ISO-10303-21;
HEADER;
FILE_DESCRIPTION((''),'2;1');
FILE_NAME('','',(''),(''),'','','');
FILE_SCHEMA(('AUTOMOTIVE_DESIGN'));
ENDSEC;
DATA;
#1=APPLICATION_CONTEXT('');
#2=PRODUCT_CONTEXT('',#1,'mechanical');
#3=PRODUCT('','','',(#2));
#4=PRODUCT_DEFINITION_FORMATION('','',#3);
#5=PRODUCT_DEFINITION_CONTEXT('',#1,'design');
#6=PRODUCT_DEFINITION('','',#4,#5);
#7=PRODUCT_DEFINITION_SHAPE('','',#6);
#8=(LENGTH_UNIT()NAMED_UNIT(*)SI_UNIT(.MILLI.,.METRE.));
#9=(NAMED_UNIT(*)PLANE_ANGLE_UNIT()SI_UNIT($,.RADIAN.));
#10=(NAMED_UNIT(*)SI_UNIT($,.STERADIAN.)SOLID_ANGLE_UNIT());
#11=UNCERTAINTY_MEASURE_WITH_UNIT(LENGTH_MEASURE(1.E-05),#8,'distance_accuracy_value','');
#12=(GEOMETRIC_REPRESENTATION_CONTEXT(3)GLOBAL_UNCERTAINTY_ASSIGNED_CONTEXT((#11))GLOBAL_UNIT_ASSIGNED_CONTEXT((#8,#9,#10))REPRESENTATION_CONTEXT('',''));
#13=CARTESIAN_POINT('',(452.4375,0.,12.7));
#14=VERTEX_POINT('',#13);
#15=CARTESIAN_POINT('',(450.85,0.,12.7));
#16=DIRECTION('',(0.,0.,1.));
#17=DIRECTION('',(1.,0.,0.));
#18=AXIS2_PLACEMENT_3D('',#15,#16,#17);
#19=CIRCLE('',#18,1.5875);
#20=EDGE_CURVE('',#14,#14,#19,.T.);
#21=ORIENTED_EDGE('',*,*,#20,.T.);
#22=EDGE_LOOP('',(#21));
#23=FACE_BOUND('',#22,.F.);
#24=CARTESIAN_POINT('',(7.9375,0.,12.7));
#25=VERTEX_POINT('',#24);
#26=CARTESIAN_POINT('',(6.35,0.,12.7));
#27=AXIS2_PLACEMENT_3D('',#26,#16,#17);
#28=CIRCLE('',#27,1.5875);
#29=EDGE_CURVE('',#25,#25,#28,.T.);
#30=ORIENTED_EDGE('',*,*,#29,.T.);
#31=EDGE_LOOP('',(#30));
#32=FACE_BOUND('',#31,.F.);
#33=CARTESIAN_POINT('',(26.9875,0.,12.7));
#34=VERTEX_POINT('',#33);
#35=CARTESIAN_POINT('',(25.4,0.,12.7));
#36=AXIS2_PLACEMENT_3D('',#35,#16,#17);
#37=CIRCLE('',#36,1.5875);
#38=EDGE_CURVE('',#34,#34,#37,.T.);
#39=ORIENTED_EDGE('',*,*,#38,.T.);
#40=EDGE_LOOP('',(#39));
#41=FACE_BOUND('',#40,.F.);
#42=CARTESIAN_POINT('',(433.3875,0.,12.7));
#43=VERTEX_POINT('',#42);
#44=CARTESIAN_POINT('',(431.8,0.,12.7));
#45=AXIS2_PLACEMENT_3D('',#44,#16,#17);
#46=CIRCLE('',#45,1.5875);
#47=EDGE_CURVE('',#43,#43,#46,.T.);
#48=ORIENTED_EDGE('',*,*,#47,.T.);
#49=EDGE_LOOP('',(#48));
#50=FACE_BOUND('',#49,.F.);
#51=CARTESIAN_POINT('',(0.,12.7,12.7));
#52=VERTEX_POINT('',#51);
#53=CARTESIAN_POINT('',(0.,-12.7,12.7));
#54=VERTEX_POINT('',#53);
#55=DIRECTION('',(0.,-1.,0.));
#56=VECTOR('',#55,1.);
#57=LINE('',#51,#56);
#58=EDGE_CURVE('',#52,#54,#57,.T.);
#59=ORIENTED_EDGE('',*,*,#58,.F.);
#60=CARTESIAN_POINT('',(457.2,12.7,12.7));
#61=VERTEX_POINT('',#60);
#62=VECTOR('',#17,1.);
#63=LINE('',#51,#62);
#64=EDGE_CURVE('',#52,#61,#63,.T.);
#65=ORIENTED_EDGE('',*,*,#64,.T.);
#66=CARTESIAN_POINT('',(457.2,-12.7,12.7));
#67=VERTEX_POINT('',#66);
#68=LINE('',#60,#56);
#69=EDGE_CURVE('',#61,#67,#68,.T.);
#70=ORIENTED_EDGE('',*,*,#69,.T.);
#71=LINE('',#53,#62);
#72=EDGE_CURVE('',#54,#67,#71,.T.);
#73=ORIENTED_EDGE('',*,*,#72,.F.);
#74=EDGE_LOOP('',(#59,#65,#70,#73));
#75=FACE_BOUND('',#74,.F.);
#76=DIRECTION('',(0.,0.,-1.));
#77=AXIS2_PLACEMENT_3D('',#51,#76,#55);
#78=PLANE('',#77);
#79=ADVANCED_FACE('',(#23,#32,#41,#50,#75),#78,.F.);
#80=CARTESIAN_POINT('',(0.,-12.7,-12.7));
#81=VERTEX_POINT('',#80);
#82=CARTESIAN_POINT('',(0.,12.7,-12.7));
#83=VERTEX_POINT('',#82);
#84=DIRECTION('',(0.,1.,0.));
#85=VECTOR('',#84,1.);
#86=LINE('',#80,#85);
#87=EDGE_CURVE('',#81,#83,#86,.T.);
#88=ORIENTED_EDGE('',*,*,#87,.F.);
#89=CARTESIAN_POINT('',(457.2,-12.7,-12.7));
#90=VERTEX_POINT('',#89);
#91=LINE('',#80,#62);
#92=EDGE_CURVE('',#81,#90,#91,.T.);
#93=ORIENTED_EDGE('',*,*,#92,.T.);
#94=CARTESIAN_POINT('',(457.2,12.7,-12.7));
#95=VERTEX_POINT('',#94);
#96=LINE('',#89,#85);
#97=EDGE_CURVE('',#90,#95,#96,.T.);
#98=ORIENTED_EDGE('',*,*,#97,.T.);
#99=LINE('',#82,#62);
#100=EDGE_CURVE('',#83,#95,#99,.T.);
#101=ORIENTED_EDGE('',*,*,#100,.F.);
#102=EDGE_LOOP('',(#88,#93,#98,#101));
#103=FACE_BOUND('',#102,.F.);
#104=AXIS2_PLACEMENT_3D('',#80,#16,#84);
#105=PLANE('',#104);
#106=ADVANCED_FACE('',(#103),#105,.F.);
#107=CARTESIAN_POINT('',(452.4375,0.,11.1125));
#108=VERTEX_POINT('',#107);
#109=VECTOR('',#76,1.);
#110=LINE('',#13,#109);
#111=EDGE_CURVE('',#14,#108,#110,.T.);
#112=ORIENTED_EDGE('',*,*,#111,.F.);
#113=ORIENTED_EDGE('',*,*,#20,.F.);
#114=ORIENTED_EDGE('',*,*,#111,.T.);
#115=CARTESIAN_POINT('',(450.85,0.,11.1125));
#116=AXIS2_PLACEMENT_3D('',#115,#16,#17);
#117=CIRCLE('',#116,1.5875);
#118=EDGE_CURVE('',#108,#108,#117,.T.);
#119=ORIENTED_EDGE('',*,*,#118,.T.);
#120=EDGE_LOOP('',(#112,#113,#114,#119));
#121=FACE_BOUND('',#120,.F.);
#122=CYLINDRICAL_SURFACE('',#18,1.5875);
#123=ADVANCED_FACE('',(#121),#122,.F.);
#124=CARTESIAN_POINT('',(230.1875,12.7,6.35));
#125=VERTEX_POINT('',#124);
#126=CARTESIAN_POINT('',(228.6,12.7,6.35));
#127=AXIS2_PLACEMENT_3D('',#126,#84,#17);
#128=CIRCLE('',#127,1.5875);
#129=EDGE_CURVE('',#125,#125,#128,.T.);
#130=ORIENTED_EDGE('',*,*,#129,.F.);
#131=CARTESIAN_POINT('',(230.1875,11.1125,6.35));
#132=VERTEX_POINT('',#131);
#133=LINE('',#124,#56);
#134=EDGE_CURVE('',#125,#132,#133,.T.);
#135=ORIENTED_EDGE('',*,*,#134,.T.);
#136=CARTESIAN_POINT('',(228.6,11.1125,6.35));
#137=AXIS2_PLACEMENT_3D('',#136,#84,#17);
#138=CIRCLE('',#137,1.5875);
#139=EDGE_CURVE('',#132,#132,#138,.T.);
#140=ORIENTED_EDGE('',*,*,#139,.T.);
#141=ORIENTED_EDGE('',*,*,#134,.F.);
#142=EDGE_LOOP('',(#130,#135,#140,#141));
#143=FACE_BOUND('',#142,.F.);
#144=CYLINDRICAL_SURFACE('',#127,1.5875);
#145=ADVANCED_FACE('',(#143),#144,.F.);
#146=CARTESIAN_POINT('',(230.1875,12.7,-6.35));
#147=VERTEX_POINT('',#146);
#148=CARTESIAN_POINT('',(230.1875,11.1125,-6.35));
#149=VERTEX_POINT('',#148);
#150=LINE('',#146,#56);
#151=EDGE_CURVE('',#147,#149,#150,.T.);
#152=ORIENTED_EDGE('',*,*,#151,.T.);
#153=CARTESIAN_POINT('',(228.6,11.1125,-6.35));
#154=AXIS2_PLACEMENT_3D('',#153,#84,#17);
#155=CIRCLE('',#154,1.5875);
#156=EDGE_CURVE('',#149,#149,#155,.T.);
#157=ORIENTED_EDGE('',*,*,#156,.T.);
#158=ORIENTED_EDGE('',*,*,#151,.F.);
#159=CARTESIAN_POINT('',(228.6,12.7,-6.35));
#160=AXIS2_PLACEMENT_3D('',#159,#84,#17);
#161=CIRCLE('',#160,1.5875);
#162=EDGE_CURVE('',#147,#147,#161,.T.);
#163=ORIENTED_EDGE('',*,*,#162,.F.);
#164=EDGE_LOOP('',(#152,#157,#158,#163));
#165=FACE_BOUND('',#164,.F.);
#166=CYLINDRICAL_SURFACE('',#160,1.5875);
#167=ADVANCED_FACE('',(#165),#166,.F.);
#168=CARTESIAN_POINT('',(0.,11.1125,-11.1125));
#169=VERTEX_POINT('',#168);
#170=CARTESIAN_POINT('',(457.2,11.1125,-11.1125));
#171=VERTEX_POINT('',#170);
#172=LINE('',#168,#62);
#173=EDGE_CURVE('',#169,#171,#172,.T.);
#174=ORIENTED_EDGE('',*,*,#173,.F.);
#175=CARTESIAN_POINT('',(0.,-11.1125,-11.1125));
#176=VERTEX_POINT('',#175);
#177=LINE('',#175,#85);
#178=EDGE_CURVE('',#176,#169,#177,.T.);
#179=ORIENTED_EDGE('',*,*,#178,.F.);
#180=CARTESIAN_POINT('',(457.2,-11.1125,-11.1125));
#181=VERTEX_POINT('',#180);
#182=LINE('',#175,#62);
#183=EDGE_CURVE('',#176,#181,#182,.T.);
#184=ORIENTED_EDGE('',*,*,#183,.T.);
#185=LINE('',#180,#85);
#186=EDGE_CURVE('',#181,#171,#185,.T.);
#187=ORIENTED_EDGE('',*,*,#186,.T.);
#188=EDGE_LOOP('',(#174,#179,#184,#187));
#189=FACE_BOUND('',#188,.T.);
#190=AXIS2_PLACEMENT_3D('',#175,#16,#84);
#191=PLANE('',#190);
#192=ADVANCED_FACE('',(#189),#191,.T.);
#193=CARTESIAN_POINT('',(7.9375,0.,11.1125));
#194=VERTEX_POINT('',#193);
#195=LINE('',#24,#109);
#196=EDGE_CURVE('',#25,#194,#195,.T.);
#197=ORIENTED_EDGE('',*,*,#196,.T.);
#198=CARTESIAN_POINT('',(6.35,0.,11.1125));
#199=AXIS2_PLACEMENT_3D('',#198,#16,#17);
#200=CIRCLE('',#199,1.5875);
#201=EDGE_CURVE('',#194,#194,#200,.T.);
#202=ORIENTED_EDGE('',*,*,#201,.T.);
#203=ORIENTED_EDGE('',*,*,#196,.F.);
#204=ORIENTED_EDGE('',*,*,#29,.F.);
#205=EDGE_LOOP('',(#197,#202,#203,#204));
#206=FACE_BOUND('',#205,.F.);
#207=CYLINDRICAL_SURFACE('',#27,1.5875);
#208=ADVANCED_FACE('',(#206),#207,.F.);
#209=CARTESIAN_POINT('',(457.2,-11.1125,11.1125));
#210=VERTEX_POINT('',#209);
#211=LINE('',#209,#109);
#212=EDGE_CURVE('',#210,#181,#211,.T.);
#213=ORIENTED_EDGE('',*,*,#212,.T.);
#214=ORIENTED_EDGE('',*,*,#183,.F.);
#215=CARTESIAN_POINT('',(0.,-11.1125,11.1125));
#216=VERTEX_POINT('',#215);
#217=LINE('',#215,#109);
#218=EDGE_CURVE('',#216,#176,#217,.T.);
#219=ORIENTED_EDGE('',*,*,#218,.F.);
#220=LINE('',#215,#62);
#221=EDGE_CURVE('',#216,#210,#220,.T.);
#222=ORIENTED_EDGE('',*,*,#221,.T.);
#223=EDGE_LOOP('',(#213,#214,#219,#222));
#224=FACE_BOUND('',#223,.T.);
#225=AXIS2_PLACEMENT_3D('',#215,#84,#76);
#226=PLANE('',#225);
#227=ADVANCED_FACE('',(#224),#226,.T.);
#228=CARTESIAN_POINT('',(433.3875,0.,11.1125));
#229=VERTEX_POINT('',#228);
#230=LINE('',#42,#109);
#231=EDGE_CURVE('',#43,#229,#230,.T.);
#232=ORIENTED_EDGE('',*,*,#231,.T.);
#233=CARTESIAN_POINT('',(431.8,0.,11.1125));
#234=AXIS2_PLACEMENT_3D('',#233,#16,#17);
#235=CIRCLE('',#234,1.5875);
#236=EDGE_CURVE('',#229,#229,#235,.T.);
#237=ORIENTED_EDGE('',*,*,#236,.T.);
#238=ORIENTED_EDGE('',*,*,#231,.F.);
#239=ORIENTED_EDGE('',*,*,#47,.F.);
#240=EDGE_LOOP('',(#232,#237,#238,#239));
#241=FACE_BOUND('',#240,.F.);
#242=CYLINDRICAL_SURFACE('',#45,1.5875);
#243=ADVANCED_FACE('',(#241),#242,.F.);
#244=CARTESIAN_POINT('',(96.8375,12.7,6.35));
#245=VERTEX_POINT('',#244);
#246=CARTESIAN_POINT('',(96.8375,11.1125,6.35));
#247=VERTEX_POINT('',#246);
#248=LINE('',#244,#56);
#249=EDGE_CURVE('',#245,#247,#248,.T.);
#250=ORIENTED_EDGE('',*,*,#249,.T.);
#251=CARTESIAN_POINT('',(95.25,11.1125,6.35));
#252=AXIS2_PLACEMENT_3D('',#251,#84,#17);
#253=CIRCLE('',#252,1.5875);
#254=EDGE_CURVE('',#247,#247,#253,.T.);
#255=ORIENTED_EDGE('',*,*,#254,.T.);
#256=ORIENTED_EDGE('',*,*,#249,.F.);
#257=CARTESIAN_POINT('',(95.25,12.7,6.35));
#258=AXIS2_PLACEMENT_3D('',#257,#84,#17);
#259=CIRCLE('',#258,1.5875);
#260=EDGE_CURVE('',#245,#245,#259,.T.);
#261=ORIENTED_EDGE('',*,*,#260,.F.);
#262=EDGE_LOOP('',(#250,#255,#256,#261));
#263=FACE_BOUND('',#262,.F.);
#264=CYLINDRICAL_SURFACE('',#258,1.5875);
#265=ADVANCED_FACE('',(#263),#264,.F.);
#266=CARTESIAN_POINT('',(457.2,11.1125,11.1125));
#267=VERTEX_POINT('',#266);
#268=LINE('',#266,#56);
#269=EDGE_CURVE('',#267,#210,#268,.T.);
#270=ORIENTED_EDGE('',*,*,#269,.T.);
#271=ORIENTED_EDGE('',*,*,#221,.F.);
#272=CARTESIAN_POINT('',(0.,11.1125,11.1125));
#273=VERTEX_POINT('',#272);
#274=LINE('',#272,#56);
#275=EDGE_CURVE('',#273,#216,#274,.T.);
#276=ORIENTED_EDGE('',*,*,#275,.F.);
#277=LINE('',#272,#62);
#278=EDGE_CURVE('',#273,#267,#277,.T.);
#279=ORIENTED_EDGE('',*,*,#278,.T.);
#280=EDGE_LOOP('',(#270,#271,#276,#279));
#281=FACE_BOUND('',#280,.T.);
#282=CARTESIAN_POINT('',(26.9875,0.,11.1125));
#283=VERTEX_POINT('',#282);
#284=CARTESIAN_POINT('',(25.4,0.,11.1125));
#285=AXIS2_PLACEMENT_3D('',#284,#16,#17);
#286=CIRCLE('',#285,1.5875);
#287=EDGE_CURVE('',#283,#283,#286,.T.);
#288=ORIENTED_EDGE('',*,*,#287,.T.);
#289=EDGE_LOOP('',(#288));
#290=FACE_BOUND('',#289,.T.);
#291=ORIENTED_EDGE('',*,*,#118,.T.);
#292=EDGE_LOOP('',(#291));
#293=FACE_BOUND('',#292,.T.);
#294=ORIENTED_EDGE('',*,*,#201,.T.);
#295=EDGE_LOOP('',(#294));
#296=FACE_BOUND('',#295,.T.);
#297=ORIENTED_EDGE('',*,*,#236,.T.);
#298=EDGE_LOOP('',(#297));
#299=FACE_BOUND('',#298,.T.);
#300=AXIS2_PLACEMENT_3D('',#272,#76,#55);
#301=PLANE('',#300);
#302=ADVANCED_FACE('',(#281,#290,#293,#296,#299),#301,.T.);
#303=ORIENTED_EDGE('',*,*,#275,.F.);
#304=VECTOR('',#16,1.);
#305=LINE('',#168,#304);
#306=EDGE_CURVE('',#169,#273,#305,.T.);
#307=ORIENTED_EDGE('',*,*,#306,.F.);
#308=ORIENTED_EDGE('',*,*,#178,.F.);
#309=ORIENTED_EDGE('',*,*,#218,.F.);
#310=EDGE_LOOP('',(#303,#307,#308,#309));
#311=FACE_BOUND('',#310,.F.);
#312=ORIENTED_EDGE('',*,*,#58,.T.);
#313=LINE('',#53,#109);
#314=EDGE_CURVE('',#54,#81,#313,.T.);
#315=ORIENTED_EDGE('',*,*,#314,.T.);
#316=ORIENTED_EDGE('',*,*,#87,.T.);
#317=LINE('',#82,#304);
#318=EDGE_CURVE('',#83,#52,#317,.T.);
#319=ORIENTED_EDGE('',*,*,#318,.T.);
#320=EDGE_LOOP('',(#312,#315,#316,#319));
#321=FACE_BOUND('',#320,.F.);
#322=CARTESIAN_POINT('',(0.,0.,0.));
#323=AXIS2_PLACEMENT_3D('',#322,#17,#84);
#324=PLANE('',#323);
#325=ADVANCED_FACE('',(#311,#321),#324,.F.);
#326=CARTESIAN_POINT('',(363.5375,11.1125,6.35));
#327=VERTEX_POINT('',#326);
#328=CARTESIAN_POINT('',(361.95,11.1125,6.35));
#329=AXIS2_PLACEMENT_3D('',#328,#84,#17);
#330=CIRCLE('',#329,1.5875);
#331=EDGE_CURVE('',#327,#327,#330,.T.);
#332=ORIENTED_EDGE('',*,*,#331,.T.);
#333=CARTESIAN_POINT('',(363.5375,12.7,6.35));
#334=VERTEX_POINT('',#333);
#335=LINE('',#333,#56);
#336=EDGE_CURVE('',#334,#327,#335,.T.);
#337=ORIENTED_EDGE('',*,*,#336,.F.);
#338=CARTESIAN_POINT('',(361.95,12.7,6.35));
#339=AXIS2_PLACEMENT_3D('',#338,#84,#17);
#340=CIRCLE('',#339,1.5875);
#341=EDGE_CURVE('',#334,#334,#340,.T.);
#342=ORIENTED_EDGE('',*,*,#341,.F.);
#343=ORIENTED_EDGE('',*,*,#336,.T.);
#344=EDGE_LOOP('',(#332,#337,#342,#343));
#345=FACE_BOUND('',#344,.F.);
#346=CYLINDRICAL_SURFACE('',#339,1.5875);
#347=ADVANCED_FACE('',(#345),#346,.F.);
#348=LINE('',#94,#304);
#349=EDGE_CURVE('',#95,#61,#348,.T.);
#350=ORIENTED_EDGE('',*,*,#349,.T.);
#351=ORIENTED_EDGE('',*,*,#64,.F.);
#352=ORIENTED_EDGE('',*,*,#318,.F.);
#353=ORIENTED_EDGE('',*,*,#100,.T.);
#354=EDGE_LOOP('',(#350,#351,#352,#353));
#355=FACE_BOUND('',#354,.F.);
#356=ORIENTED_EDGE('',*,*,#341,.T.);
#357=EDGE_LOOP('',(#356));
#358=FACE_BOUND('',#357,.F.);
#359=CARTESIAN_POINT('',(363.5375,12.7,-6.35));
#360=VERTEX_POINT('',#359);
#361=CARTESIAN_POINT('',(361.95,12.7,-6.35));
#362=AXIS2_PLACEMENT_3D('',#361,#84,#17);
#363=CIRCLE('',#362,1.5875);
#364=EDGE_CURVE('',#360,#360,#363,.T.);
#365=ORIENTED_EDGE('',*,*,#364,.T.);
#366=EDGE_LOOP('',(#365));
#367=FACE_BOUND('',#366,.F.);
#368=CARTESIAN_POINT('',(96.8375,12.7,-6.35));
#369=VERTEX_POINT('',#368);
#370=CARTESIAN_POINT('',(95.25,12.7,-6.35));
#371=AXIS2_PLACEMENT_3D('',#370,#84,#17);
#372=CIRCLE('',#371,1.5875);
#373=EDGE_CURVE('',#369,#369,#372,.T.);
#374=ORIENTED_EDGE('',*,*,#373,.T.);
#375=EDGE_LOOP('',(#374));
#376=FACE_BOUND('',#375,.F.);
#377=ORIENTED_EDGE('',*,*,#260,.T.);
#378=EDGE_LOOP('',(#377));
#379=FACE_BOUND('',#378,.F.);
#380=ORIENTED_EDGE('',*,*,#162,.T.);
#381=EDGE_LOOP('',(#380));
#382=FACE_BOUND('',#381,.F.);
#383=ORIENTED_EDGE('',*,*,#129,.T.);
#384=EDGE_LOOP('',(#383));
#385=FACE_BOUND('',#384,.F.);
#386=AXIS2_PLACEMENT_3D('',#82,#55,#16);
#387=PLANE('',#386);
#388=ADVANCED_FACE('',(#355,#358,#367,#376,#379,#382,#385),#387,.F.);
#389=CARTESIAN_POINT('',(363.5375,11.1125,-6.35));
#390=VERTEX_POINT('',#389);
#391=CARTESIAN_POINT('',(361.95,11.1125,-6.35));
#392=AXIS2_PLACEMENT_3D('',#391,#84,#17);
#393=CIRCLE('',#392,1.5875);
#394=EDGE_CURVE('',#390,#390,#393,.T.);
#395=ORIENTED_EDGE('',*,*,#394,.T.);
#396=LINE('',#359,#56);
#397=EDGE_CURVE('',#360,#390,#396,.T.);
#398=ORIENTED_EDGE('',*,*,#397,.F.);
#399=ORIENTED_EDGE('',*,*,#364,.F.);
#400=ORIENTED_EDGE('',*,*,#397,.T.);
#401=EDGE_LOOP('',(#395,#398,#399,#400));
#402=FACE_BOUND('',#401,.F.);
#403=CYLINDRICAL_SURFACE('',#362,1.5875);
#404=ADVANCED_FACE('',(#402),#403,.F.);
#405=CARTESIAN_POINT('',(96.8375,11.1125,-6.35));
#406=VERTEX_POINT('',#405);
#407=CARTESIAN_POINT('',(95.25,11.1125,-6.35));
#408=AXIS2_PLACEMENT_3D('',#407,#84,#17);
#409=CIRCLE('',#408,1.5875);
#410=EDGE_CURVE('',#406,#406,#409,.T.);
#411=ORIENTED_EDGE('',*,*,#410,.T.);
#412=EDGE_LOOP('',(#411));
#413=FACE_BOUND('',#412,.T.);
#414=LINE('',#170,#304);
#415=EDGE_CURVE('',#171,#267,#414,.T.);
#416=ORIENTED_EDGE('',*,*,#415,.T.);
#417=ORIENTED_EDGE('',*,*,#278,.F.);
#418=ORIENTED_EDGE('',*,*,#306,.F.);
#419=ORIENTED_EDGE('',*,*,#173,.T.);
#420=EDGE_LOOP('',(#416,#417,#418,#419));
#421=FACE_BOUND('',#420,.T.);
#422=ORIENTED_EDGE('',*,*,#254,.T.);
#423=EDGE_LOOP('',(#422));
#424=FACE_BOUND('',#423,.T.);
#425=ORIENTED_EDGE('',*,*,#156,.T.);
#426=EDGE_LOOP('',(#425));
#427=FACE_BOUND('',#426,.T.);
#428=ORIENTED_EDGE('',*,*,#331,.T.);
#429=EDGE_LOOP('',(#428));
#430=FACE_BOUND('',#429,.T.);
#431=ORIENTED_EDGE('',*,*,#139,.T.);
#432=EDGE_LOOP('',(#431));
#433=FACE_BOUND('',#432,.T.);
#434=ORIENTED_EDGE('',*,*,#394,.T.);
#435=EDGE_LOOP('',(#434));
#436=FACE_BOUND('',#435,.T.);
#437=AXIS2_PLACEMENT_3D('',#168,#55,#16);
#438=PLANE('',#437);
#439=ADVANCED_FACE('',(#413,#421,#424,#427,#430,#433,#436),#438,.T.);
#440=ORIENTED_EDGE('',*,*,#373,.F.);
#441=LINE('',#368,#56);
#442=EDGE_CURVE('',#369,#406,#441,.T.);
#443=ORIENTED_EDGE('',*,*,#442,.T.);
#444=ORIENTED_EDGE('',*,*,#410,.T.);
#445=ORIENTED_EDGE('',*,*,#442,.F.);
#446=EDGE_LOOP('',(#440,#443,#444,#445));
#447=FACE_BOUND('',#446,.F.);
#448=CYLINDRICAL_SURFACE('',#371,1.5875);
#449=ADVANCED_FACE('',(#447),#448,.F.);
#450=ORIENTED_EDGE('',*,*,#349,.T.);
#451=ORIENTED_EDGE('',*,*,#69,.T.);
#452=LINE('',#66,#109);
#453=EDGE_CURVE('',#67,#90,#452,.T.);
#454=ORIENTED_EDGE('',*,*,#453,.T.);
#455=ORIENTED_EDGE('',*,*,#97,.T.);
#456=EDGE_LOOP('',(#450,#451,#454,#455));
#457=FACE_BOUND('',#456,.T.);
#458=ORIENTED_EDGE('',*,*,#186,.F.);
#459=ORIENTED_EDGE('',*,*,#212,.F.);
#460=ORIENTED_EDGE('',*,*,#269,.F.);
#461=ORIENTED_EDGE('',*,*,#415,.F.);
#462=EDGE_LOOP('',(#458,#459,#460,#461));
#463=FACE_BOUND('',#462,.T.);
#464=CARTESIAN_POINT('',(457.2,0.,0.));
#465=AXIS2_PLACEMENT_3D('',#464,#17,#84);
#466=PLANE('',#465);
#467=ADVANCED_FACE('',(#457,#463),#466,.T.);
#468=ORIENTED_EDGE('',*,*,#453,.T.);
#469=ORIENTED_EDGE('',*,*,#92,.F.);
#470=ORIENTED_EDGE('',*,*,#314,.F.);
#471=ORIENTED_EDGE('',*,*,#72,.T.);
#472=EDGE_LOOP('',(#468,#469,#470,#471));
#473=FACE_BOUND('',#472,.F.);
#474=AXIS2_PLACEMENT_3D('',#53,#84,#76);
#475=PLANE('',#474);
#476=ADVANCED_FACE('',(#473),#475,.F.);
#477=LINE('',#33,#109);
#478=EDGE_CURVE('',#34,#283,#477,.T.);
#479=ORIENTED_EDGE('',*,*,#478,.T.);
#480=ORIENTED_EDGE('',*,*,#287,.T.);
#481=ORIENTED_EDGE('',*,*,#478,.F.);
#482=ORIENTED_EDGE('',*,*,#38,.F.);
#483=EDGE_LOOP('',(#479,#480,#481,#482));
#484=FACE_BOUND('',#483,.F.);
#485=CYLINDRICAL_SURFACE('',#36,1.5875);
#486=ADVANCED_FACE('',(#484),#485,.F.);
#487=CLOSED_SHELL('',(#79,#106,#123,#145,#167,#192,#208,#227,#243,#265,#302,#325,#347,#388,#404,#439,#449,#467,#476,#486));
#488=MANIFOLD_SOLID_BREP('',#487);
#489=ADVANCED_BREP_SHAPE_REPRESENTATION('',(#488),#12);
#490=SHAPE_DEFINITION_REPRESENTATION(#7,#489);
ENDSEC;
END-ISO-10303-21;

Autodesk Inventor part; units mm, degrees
ref_plane "YZ Plane" through (0, 0, 0) normal (1, 0, 0) x (0, 1, 0)
ref_plane "XZ Plane" through (0, 0, 0) normal (0, 1, 0) x (-1, 0, 0)
ref_plane "XY Plane" through (0, 0, 0) normal (0, 0, 1) x (1, 0, 0)
sketch "Sketch1" plane through (0, 0, 0) normal (1, 0, 0) x (0, 1, 0)
  line L0 (11.1125, 11.1125) -> (-11.1125, 11.1125)
  line L1 (-11.1125, 11.1125) -> (-11.1125, -11.1125)
  line L2 (-11.1125, -11.1125) -> (11.1125, -11.1125)
  line L3 (11.1125, -11.1125) -> (11.1125, 11.1125)
  line L4 (12.7, 12.7) -> (-12.7, 12.7)
  line L5 (-12.7, 12.7) -> (-12.7, -12.7)
  line L6 (-12.7, -12.7) -> (12.7, -12.7)
  line L7 (12.7, -12.7) -> (12.7, 12.7)
  line L8 (0, 11.1125) -> (0, 12.7) construction
  line L9 (11.1125, 0) -> (12.7, 0) construction
  line L10 (11.1125, 0) -> (0, 0) construction
  line L11 (0, 0) -> (0, 11.1125) construction
  dimension "d0" = 25.4
  dimension "d1" = 1.5875
extrude "Extrusion1" add sketch "Sketch1" along normal blind 457.2
sketch "Sketch2" plane through (0, -12.7, 12.7) normal (0, 0, 1) x (1, 0, 0)
  line L0 (0, 12.7) -> (457.2, 12.7) construction
  line L1 (457.2, 1.5875) -> (457.2, 23.8125) construction
  circle A0 centre (450.85, 12.7) radius 1.5875
  circle A1 centre (431.8, 12.7) radius 1.5875
  line L2 (228.6, 12.7) -> (228.6, 1.5875) construction
  circle A2 centre (6.35, 12.7) radius 1.5875
  circle A3 centre (25.4, 12.7) radius 1.5875
  dimension "d4" = 6.35
  dimension "d5" = 19.05
  dimension "d6" = 3.175
extrude "Extrusion2" cut sketch "Sketch2" against normal up to next
sketch "Sketch3" plane through (0, 12.7, 12.7) normal (0, 1, 0) x (1, 0, 0)
  line L0 (0, 0) -> (457.2, 0) construction
  line L1 (228.6, 0) -> (228.6, 42.8948) construction
  line L2 (361.95, 0) -> (361.95, 36.7793) construction
  circle A0 centre (361.95, 6.35) radius 1.5875
  circle A1 centre (361.95, 19.05) radius 1.5875
  circle A2 centre (95.25, 6.35) radius 1.5875
  circle A3 centre (95.25, 19.05) radius 1.5875
  circle A4 centre (228.6, 19.05) radius 1.5875
  circle A5 centre (228.6, 6.35) radius 1.5875
  line L3 (361.95, 19.05) -> (228.6, 19.05) construction
  line L4 (0, 23.8125) -> (457.2, 23.8125) construction
  line L5 (361.95, 6.35) -> (228.6, 6.35) construction
  point P0 (0, 12.7)
  dimension "d9" = 3.175
  dimension "d10" = 6.35
  dimension "d11" = 12.7
  dimension "d15" = 266.7
extrude "Extrusion3" cut sketch "Sketch3" against normal up to next
properties part number "Cross Brace"
